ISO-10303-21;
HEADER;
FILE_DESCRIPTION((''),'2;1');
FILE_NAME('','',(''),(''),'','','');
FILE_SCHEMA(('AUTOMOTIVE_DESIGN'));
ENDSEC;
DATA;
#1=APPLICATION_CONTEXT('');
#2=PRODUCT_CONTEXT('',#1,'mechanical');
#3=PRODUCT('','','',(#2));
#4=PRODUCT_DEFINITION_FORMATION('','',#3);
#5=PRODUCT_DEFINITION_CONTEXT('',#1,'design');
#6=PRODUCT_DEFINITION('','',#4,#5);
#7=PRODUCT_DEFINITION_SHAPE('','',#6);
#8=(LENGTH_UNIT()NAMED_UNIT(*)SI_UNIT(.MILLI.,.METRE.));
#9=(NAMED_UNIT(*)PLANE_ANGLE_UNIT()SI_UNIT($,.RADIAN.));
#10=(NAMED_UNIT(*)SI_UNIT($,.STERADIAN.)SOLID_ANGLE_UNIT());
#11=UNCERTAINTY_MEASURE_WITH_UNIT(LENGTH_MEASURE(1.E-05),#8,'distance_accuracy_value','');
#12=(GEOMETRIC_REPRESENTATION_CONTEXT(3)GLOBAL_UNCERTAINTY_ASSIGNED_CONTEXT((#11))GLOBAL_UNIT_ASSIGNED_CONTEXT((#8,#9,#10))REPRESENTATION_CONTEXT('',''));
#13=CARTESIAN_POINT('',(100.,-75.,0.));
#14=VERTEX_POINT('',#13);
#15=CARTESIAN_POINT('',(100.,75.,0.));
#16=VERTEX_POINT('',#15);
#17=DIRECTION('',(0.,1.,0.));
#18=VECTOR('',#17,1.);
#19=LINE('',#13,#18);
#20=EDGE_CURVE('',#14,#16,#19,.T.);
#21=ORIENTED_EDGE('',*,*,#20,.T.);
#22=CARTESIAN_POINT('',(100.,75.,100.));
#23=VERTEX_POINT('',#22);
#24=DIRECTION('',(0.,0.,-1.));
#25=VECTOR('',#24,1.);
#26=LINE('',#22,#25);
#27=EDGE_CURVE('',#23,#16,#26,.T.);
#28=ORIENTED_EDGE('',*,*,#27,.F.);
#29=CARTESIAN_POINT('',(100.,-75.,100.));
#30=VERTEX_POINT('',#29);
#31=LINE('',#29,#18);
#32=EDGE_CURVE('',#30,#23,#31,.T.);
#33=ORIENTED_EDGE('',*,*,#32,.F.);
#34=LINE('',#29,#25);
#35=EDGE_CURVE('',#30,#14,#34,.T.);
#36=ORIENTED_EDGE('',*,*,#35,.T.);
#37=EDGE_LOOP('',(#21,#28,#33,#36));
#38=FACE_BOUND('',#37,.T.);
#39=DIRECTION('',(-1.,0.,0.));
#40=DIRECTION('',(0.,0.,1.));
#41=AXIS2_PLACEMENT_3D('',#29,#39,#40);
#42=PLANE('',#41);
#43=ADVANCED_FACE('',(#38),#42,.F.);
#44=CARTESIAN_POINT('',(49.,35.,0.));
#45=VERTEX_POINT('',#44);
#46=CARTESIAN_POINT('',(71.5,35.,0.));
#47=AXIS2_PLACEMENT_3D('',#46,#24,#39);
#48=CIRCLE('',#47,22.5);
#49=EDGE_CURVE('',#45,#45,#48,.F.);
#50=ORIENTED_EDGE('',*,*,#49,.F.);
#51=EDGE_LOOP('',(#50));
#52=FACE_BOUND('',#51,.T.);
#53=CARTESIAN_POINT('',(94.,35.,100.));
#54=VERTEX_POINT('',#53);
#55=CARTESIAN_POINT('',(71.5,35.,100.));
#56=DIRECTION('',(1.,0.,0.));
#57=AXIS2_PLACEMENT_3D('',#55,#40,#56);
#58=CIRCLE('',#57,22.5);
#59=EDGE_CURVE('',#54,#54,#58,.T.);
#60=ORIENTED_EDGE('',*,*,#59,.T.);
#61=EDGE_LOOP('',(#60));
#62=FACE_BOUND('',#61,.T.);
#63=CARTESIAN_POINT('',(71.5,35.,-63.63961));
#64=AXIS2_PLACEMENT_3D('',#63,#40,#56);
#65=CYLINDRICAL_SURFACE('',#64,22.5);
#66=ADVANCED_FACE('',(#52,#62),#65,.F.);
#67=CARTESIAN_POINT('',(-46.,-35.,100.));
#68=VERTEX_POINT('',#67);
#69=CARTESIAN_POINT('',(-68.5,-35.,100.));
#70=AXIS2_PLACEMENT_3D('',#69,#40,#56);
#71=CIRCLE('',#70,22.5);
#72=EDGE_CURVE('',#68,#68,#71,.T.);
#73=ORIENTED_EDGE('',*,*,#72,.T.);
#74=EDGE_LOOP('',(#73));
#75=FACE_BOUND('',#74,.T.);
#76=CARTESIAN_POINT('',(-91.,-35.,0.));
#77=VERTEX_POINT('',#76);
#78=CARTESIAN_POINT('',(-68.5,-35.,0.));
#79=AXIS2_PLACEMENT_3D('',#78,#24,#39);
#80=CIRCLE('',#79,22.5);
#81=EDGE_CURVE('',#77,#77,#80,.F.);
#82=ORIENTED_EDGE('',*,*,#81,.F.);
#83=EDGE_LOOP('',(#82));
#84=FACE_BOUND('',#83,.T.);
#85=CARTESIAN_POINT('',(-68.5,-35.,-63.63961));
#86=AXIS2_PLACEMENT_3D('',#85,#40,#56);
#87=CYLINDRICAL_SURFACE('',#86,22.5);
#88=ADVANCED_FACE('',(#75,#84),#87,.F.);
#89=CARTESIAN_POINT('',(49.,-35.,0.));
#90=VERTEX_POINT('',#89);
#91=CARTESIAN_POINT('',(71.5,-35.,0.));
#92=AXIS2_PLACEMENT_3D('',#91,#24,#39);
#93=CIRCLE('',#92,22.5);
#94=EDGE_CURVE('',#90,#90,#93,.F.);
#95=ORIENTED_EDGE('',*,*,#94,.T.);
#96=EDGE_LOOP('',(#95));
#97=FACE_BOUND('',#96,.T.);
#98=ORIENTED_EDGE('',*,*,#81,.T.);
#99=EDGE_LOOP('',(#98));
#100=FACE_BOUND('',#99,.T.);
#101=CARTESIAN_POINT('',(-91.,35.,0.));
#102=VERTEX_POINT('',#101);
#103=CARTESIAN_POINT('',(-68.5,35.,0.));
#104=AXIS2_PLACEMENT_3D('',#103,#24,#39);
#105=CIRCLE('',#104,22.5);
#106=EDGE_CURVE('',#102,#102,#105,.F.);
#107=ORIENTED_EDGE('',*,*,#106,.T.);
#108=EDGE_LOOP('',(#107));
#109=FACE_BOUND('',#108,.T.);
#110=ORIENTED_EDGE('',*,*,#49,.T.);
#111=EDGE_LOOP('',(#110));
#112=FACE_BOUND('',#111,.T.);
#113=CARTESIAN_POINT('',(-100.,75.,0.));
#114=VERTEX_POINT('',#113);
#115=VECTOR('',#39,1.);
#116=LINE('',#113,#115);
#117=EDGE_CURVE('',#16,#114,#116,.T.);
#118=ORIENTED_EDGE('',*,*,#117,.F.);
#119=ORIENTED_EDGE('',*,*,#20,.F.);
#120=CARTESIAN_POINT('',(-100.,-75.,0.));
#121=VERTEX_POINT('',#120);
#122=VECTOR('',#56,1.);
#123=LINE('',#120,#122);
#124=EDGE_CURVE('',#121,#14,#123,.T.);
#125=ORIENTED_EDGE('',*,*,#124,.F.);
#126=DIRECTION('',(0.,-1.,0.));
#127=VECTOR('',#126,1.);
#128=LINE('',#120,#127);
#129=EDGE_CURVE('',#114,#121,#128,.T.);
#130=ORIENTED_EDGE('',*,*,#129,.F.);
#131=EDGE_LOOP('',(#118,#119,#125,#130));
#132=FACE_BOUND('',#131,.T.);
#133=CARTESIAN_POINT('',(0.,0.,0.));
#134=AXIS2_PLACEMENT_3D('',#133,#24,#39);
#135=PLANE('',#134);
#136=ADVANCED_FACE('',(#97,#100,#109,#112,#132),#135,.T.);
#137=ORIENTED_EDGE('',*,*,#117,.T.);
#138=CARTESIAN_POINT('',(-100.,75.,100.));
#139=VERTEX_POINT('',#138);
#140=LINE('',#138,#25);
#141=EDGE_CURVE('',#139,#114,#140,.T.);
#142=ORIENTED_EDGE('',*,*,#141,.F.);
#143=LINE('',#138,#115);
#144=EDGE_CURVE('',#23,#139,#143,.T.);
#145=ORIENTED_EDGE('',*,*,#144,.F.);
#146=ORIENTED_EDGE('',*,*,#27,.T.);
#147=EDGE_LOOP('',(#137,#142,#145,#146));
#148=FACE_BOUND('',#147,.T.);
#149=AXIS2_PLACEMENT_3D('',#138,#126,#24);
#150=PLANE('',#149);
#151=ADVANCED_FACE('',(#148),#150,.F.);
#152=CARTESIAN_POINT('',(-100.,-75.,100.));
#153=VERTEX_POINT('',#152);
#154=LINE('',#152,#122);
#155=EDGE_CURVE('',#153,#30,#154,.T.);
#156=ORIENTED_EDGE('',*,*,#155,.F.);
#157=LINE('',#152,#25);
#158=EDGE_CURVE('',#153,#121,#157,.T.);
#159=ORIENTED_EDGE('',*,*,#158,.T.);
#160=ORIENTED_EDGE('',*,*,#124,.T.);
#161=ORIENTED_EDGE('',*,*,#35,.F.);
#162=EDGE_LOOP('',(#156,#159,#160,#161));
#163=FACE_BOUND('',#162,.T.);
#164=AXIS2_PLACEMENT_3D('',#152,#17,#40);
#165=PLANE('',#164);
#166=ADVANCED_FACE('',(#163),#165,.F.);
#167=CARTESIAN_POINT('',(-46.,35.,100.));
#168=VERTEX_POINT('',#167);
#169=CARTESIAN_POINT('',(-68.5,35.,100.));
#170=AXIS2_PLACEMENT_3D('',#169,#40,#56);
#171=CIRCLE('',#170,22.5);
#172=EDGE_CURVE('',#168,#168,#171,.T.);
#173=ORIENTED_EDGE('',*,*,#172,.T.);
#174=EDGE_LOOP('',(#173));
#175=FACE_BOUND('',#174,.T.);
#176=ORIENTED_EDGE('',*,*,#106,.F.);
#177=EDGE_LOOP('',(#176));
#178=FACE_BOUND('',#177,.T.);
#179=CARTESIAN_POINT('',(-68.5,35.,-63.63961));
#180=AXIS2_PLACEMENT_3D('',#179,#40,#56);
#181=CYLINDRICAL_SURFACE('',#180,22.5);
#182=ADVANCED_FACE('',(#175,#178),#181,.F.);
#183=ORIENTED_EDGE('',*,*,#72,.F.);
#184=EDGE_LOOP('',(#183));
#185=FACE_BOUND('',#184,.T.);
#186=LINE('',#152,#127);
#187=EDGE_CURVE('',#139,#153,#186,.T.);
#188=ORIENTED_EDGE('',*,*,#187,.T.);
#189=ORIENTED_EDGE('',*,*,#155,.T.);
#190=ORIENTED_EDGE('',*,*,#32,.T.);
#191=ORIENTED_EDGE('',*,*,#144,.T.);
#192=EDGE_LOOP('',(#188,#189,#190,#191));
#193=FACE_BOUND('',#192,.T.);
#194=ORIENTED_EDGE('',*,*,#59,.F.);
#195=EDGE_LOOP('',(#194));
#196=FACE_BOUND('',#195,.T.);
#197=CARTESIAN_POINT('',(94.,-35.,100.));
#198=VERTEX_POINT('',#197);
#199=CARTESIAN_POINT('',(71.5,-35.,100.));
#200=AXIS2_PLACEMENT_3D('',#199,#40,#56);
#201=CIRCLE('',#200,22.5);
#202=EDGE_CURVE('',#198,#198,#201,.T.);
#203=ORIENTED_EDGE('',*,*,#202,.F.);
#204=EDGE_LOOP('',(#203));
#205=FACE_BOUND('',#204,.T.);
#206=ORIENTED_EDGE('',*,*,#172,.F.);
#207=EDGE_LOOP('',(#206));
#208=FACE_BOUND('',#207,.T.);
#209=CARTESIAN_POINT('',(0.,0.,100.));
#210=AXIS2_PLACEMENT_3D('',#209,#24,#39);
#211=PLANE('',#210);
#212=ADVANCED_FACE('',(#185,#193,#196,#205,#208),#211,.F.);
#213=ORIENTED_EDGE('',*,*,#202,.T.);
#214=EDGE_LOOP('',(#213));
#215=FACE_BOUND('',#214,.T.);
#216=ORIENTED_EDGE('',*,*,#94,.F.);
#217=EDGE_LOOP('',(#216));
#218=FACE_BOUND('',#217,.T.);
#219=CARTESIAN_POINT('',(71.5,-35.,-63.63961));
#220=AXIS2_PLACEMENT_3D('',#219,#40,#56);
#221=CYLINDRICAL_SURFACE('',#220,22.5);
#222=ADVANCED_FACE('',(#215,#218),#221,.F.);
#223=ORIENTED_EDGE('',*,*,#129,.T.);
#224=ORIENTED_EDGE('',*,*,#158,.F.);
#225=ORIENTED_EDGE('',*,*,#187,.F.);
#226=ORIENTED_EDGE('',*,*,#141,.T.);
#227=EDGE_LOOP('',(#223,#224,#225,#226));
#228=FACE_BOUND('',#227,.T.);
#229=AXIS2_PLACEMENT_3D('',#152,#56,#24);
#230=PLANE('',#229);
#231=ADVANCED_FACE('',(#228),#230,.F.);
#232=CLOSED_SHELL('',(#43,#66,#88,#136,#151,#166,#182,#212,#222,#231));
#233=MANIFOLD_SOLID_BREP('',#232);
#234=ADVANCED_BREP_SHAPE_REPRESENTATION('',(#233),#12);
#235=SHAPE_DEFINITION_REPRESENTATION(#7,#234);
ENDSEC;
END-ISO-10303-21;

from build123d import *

# Parameters (mm, degrees)
SKETCH1_W           = 200
SKETCH1_H           = 150
BOSS_EXTRUDE1_DEPTH = 100
SKETCH2_R           = 22.5
CUT_EXTRUDE1_DEPTH  = 100


with BuildPart() as part:
    # Sketch1 → Boss-Extrude1 (new body)
    with BuildSketch(Plane.XY):
        Rectangle(SKETCH1_W, SKETCH1_H)
    extrude(amount=BOSS_EXTRUDE1_DEPTH)

    # Sketch2 → Cut-Extrude1 (cut)
    with BuildSketch(Plane.XY.offset(100)):
        with Locations((-68.5, 35)):
            Circle(SKETCH2_R)
        with Locations((-68.5, -35)):
            Circle(SKETCH2_R)
        with Locations((71.5, 35)):
            Circle(SKETCH2_R)
        with Locations((71.5, -35)):
            Circle(SKETCH2_R)
    extrude(amount=-CUT_EXTRUDE1_DEPTH, mode=Mode.SUBTRACT)


solid = part.part
